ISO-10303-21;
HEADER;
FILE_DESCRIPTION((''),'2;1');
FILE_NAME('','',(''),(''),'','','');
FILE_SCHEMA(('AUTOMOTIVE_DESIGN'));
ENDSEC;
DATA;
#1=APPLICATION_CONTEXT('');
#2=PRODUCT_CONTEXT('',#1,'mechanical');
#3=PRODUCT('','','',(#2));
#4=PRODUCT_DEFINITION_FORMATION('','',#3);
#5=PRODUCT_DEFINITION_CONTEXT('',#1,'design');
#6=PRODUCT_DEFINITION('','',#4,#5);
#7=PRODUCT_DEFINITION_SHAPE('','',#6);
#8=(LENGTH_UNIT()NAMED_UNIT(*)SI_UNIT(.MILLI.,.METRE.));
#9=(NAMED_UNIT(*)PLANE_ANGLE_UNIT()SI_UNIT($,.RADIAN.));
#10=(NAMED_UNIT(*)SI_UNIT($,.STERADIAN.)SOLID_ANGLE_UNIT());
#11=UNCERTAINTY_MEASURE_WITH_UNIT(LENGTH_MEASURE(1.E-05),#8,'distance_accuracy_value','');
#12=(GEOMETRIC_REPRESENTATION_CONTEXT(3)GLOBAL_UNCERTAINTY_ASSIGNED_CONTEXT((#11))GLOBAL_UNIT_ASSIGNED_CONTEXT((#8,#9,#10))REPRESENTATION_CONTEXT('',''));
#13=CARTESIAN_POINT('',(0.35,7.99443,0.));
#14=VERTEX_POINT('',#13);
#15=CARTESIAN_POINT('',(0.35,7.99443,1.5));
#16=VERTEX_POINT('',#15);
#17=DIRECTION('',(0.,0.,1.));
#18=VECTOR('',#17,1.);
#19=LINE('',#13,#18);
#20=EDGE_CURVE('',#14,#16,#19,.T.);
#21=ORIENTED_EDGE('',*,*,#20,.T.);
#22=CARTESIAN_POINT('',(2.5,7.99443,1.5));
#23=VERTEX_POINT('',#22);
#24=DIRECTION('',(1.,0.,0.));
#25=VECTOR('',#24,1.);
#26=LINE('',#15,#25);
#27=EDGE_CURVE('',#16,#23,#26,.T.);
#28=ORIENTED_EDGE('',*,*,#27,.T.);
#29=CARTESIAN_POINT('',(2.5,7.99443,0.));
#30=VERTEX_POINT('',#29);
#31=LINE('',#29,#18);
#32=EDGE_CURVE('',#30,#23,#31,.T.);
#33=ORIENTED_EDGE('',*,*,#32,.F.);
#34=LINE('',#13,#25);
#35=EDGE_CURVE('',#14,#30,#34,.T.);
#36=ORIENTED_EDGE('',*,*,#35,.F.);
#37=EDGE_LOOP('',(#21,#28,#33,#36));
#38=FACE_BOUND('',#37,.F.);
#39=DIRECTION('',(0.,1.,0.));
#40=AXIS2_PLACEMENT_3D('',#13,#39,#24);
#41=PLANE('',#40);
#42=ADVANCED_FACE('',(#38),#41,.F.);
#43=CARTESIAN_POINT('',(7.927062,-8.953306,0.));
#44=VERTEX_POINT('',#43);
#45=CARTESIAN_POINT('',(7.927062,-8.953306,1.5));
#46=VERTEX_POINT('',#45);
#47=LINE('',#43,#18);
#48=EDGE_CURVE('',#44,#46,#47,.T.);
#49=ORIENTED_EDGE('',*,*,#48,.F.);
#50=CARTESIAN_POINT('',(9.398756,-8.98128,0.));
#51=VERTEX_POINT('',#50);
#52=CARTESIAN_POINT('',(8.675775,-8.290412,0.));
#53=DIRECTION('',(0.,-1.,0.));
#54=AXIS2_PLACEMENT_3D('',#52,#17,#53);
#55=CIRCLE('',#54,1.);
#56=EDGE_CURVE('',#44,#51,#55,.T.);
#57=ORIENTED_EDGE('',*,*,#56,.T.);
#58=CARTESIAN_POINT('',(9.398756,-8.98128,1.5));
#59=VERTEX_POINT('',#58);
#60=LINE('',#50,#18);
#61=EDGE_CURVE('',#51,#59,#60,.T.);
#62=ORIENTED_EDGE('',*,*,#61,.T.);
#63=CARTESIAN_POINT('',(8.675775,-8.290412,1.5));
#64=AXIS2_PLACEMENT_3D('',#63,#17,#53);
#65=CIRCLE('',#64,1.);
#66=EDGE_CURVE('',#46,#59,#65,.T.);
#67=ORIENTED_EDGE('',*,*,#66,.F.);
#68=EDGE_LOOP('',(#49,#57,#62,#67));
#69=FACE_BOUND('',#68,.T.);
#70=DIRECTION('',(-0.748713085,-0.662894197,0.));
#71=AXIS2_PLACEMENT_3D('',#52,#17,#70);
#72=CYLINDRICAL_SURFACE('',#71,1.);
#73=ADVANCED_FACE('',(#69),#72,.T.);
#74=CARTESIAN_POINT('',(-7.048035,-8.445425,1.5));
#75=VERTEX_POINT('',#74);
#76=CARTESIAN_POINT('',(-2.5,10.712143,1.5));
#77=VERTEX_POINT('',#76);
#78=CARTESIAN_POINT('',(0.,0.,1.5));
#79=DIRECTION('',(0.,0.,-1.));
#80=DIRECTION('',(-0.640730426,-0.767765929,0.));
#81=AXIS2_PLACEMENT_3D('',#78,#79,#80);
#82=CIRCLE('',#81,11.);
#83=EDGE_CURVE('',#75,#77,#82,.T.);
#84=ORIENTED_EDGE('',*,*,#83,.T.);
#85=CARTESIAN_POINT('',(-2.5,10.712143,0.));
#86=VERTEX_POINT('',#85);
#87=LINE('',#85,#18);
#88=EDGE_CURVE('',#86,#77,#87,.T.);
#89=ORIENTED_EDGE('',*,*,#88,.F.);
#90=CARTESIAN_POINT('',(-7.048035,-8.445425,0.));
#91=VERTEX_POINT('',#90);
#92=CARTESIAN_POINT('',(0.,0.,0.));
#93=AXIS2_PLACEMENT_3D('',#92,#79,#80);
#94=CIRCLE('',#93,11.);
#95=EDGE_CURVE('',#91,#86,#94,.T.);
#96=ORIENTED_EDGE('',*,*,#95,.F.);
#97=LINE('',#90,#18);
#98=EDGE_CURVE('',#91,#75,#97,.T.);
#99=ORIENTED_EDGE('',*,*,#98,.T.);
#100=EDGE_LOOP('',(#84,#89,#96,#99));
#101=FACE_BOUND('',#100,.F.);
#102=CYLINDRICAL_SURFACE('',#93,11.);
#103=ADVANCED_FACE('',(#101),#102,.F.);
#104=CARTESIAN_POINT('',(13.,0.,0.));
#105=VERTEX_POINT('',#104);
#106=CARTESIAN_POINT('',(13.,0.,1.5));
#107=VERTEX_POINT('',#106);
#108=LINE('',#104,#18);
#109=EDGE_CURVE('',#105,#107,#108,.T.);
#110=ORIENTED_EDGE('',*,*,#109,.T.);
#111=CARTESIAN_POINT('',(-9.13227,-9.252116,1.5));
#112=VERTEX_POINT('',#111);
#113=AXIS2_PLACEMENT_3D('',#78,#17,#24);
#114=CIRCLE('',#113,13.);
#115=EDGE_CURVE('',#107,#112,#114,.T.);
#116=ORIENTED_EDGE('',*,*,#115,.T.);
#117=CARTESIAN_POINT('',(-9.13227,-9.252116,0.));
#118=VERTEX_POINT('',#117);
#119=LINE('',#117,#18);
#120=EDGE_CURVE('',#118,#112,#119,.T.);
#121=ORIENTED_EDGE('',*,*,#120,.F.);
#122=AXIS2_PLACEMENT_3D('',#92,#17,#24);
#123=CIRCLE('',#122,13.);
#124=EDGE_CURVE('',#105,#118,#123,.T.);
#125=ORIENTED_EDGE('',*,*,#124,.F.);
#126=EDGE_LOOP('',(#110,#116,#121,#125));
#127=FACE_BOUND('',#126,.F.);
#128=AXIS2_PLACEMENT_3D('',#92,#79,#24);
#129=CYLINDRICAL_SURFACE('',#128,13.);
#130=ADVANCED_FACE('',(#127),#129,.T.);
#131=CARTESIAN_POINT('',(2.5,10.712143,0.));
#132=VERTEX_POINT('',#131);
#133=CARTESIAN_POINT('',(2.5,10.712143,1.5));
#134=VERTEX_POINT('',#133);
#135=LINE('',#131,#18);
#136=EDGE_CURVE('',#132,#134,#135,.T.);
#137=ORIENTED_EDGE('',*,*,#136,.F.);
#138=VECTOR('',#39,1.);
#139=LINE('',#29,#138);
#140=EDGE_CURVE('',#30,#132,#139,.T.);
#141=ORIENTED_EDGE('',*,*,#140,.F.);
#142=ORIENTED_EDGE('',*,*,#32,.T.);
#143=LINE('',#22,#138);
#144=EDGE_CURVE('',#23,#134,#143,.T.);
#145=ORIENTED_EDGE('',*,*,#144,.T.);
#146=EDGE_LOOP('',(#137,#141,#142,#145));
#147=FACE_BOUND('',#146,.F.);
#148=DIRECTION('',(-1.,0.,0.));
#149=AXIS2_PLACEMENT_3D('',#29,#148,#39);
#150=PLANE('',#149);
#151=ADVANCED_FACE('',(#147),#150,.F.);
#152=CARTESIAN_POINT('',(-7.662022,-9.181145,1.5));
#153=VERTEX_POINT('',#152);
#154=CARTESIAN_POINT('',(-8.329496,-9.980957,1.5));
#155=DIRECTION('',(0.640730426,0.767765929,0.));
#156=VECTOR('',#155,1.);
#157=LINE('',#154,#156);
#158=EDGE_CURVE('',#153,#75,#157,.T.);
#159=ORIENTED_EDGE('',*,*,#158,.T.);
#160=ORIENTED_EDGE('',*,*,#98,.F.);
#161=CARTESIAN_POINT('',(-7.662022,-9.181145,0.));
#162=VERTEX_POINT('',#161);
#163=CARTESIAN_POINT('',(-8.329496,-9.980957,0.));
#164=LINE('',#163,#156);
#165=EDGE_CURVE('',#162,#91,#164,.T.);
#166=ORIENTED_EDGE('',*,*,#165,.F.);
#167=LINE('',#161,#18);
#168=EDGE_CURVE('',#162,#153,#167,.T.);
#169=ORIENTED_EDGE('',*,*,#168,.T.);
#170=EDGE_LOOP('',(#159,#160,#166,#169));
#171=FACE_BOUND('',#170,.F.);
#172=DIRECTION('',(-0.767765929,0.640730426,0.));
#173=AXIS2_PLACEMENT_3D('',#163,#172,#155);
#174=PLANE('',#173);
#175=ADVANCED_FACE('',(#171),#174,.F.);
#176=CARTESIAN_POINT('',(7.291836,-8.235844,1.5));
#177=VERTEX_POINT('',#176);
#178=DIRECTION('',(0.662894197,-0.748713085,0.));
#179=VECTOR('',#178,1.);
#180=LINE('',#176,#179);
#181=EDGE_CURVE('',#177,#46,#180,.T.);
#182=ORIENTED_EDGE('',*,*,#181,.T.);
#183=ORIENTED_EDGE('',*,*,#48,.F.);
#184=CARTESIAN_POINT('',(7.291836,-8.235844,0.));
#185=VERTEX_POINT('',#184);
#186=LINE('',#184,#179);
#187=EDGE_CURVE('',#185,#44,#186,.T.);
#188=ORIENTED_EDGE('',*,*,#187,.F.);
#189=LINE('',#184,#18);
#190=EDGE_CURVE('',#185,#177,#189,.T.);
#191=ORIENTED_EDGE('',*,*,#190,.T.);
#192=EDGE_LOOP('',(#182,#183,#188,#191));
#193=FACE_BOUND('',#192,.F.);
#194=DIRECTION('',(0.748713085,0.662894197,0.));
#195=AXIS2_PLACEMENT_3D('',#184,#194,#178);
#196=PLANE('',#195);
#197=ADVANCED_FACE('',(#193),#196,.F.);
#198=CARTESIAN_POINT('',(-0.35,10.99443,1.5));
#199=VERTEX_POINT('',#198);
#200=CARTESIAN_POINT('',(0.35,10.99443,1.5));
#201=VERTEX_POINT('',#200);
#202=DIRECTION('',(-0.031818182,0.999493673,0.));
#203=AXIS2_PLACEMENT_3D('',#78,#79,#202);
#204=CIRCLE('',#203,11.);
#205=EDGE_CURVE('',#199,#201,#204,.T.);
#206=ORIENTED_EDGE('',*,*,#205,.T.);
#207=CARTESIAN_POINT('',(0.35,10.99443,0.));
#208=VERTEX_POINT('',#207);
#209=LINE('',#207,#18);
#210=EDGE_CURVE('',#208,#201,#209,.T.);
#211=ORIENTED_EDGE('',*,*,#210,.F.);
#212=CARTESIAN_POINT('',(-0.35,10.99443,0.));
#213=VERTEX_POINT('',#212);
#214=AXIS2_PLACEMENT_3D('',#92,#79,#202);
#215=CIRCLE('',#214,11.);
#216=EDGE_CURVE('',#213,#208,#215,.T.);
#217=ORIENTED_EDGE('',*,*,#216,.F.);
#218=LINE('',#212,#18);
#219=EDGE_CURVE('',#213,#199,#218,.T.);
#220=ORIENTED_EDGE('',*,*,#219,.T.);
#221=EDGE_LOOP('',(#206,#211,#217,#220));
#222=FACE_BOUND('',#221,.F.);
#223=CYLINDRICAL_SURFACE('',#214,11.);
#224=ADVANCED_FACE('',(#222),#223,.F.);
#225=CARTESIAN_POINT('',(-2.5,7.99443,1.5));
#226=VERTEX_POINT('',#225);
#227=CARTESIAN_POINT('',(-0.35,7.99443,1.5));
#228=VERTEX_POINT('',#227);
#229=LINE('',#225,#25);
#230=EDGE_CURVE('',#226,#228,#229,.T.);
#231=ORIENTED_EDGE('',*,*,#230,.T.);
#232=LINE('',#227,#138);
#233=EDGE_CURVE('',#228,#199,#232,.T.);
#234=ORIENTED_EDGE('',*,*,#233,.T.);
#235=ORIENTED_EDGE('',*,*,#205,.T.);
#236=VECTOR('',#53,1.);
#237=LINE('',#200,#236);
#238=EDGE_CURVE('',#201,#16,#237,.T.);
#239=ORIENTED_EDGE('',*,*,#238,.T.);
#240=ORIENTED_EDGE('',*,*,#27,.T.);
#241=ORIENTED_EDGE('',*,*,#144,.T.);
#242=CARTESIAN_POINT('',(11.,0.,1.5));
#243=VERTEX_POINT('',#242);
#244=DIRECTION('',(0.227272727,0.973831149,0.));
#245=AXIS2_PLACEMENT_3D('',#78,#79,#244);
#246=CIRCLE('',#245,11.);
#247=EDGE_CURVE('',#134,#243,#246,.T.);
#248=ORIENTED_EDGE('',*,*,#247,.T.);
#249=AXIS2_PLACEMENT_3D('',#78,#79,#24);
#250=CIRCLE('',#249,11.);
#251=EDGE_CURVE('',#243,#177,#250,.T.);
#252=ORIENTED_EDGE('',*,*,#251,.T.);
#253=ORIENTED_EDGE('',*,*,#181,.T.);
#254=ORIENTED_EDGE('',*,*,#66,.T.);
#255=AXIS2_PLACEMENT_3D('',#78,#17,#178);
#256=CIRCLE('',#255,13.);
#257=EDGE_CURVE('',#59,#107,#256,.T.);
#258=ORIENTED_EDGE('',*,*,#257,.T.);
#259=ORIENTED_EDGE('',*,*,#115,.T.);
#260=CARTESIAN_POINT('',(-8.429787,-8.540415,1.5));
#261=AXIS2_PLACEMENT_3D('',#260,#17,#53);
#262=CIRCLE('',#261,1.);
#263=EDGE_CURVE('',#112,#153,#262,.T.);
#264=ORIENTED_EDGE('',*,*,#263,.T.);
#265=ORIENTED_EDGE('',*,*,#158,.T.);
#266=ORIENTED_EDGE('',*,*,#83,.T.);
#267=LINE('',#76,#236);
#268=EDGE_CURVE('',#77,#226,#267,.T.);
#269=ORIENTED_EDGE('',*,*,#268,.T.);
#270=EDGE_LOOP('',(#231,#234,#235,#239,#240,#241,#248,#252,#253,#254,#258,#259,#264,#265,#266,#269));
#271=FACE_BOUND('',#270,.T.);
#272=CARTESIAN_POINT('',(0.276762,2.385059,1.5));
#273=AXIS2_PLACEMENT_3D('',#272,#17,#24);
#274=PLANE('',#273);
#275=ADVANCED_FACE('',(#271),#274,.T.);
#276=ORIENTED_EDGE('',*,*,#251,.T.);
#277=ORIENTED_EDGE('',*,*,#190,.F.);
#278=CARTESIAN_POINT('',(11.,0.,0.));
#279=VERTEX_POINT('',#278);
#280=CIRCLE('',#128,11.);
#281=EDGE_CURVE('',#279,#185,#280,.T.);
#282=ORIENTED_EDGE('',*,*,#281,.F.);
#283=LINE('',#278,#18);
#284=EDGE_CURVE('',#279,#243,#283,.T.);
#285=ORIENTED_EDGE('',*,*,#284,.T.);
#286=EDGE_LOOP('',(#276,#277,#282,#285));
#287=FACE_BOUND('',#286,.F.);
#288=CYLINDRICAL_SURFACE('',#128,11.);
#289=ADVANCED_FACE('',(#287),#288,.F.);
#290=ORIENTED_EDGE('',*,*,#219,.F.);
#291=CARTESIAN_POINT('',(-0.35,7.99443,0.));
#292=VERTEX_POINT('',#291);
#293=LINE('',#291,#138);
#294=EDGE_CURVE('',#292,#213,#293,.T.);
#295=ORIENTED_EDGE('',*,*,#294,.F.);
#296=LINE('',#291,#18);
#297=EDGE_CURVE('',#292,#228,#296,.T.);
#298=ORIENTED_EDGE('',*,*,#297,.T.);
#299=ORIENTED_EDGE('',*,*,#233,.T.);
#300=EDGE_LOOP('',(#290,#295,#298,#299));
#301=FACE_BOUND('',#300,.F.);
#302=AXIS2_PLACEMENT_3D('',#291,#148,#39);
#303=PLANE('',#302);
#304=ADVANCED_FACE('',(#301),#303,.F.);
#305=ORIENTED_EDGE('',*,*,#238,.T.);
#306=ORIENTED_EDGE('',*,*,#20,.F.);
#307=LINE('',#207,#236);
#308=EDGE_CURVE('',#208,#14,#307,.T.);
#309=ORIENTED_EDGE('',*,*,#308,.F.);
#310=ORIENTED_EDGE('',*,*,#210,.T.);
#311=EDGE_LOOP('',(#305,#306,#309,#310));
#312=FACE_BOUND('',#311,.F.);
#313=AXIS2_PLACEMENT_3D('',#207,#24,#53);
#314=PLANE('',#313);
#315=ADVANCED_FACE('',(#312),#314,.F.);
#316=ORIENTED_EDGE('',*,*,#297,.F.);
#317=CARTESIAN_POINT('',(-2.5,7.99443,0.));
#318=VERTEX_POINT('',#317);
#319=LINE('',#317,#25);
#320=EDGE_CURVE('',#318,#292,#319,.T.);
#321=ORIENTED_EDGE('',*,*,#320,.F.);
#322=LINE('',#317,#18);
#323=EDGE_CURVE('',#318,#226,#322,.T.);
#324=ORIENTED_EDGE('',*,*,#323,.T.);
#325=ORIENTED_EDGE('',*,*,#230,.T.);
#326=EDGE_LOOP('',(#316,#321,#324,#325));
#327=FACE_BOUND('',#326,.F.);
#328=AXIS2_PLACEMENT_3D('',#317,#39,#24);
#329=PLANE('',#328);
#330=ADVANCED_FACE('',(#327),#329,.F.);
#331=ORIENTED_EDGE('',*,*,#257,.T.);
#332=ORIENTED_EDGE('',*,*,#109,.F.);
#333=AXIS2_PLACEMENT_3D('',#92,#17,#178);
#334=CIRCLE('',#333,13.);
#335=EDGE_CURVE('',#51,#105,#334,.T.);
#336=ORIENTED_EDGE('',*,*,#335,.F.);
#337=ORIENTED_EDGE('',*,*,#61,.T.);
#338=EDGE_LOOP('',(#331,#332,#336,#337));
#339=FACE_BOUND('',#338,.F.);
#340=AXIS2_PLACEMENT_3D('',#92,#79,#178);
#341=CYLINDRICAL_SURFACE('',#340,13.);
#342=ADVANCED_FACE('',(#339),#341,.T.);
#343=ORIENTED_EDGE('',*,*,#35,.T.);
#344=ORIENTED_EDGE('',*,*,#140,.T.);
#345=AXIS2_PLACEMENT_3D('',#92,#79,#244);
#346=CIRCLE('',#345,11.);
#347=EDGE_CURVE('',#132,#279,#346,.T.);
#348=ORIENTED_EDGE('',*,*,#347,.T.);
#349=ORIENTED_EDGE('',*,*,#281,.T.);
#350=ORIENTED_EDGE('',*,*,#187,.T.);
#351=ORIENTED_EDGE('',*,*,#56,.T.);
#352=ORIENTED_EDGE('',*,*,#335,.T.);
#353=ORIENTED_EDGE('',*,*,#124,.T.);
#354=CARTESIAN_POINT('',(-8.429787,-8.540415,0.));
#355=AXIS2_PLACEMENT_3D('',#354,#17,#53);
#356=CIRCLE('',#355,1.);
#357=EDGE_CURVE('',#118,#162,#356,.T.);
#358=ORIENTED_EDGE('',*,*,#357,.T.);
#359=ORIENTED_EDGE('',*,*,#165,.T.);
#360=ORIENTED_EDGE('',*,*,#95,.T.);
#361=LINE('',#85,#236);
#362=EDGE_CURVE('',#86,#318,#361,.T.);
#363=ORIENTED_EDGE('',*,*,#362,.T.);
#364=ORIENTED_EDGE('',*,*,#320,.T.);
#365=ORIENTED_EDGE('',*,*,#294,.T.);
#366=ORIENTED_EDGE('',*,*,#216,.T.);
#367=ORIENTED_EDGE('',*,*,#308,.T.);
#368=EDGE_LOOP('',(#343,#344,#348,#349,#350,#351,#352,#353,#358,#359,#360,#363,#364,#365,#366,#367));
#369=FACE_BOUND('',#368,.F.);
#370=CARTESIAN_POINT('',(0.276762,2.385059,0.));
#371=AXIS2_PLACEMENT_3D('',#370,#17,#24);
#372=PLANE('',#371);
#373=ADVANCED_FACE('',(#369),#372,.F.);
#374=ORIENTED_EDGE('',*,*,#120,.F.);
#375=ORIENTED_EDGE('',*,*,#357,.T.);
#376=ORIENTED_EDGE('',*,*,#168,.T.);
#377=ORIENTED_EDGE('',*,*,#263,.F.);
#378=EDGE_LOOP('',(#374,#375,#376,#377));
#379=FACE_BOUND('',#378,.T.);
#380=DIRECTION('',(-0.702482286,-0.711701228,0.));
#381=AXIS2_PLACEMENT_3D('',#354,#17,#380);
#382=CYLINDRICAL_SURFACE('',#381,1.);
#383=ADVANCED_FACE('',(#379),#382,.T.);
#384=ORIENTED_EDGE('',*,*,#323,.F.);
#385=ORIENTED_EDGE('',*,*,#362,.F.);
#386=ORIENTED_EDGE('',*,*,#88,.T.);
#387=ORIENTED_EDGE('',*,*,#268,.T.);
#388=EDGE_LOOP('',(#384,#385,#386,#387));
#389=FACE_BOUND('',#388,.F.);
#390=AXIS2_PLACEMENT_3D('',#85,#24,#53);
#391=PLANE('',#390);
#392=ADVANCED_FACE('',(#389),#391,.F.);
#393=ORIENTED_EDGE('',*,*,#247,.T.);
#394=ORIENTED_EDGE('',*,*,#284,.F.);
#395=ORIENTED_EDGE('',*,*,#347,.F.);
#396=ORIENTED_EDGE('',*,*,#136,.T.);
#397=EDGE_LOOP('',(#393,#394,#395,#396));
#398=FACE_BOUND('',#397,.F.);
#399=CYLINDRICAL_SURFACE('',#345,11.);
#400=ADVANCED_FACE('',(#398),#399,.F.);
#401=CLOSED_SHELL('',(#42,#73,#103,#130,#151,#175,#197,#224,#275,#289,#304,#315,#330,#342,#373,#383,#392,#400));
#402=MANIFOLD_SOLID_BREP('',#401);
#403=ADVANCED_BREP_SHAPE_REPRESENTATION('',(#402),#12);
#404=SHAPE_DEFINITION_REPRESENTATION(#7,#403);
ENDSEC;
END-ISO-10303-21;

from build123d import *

# Parameters (mm, degrees)
F1_DEPTH = 1.5
F2_R     = 1


with BuildPart() as f1:
    # F0 (on Top) → F1 (new body)
    with BuildSketch(Plane.XY):
        with BuildLine():
            ThreePointArc((2.5, 10.7121426428), (8.6168439698, 6.8373971656), (11, 0))
            ThreePointArc((11, 0), (10.0302093156, -4.5160714217), (7.2918361662, -8.2358439352))
            Line((7.2918361662, -8.2358439352), (8.61762456, -9.7332701053))
            ThreePointArc((8.61762456, -9.7332701053), (11.8538837366, -5.3371753166), (13, 0))
            ThreePointArc((13, 0), (-5.5098347525, 11.7746219048), (-8.3294955385, -9.9809570721))
            Line((-8.3294955385, -9.9809570721), (-7.0480346864, -8.4454252148))
            ThreePointArc((-7.0480346864, -8.4454252148), (-10.7025390982, 2.5407984674), (-2.5, 10.7121426428))
            ThreePointArc((-2.5, 10.7121426428), (-1.4319729731, 10.9063950692), (-0.35, 10.9944304082))
            ThreePointArc((-0.35, 10.9944304082), (0, 11), (0.35, 10.9944304082))
            ThreePointArc((0.35, 10.9944304082), (1.4319729731, 10.9063950692), (2.5, 10.7121426428))
        make_face()
        with BuildLine():
            Line((-0.35, 7.9944304082), (-0.35, 10.9944304082))
            ThreePointArc((-0.35, 10.9944304082), (-1.4319729731, 10.9063950692), (-2.5, 10.7121426428))
            Line((-2.5, 10.7121426428), (-2.5, 7.9944304082))
            Line((-2.5, 7.9944304082), (-0.35, 7.9944304082))
        make_face()
        with BuildLine():
            Line((2.5, 7.9944304082), (2.5, 10.7121426428))
            ThreePointArc((2.5, 10.7121426428), (1.4319729731, 10.9063950692), (0.35, 10.9944304082))
            Line((0.35, 10.9944304082), (0.35, 7.9944304082))
            Line((0.35, 7.9944304082), (2.5, 7.9944304082))
        make_face()
    extrude(amount=F1_DEPTH)

    # F2
    f2_edges = [f1.edges().sort_by_distance(p)[0] for p in [
        (-8.329496, -9.980957, 0.75),
        (8.617625, -9.73327, 0.75),
    ]]
    fillet(f2_edges, radius=F2_R)


solid = f1.part
